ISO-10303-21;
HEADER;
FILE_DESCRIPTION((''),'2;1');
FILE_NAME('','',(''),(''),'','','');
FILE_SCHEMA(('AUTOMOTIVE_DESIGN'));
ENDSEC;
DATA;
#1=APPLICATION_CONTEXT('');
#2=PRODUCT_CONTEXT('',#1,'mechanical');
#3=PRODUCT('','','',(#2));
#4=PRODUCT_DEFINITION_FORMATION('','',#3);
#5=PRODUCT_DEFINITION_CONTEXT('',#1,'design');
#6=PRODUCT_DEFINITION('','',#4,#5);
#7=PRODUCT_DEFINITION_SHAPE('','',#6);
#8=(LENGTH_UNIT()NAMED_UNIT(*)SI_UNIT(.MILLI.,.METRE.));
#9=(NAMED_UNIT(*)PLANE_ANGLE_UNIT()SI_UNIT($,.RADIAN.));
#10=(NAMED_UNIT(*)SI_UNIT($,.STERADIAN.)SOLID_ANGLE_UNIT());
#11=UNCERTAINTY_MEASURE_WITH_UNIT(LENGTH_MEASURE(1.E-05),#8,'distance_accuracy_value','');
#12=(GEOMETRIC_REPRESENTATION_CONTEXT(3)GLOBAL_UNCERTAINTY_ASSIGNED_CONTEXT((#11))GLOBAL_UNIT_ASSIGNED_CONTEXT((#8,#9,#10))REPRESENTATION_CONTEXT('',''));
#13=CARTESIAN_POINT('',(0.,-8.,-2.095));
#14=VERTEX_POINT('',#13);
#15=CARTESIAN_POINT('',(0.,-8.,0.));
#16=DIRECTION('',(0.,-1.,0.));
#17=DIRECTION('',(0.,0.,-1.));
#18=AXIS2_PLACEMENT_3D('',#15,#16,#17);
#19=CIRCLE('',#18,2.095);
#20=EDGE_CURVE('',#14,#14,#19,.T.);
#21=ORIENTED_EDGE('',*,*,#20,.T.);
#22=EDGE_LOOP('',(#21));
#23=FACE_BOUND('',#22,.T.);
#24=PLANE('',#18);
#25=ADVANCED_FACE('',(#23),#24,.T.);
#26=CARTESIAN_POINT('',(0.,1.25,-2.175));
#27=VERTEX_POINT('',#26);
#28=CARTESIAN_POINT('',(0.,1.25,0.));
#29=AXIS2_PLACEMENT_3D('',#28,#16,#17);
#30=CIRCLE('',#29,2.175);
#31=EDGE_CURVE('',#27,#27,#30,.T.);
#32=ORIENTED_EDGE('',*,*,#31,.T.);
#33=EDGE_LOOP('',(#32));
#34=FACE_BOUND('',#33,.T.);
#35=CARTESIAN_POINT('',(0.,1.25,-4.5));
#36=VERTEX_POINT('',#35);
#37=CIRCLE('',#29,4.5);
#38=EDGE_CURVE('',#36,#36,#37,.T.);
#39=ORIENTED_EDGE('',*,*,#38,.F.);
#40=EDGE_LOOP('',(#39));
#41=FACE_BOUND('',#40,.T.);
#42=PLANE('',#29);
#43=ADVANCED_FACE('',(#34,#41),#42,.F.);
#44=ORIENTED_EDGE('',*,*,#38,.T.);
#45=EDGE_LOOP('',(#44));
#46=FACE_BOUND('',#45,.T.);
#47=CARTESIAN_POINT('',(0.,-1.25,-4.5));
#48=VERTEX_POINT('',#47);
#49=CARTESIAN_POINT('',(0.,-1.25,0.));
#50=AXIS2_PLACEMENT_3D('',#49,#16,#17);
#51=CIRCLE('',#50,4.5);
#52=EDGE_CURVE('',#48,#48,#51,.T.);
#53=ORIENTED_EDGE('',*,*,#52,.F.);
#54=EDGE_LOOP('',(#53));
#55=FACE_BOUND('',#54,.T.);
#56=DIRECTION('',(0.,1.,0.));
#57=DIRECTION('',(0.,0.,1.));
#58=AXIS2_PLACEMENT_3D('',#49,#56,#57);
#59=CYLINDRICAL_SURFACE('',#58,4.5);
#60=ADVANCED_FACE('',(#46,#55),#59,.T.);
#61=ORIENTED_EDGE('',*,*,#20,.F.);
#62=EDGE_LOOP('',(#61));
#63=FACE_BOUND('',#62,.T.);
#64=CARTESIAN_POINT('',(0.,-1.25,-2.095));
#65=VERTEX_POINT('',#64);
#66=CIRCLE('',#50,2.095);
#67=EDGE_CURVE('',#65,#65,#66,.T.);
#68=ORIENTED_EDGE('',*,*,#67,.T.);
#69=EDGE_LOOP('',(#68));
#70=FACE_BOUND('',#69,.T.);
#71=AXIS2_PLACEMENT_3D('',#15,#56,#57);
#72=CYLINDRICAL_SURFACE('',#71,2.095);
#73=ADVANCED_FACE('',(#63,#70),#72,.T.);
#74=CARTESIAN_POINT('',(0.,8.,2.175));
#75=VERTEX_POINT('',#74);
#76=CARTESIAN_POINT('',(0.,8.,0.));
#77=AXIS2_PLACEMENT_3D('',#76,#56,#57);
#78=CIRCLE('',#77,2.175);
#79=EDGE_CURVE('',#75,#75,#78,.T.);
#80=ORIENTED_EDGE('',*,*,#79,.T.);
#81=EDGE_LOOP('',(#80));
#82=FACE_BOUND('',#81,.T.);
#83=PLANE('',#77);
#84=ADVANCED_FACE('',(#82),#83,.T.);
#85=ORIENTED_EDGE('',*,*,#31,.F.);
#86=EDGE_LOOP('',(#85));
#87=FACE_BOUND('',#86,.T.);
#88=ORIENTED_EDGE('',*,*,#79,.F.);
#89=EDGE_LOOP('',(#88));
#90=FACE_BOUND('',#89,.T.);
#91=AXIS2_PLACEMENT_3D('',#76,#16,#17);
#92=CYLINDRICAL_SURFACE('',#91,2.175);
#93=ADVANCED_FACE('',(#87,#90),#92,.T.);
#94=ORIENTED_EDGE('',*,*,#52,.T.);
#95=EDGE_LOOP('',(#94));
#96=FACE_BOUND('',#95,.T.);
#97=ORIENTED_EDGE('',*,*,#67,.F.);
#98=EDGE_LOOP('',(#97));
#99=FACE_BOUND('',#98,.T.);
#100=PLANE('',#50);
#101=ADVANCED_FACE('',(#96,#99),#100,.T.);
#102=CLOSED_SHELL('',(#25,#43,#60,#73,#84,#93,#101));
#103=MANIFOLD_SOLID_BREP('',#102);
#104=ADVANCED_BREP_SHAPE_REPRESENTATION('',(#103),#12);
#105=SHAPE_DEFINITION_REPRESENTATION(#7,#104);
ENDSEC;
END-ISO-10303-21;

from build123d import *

# Parameters (mm, degrees)
SKETCH2_R           = 2.175
BOSS_EXTRUDE2_DEPTH = 8
SKETCH5_R           = 2.095
BOSS_EXTRUDE3_DEPTH = 8
SKETCH7_R           = 4.5
BOSS_EXTRUDE4_DEPTH = 1.25


with BuildPart() as part:
    # Sketch2 → Boss-Extrude2 (new body)
    with BuildSketch(Plane(origin=(0, 0, 0), x_dir=(1, 0, 0), z_dir=(0, 1, 0))):
        with Locations(Location((0, 0, 0), (0, 0, 270))):
            Circle(SKETCH2_R)
    extrude(amount=BOSS_EXTRUDE2_DEPTH)

    # Sketch5 → Boss-Extrude3 (add)
    with BuildSketch(Plane(origin=(0, 0, 0), x_dir=(-1, 0, 0), z_dir=(0, -1, 0))):
        with Locations(Location((0, 0, 0), (0, 0, 90))):
            Circle(SKETCH5_R)
    extrude(amount=BOSS_EXTRUDE3_DEPTH)

    # Sketch7 → Boss-Extrude4 (add, symmetric)
    with BuildSketch(Plane(origin=(0, 0, 0), x_dir=(-1, 0, 0), z_dir=(0, -1, 0))):
        with Locations(Location((0, 0, 0), (0, 0, 90))):
            Circle(SKETCH7_R)
    extrude(amount=BOSS_EXTRUDE4_DEPTH, both=True)


solid = part.part
